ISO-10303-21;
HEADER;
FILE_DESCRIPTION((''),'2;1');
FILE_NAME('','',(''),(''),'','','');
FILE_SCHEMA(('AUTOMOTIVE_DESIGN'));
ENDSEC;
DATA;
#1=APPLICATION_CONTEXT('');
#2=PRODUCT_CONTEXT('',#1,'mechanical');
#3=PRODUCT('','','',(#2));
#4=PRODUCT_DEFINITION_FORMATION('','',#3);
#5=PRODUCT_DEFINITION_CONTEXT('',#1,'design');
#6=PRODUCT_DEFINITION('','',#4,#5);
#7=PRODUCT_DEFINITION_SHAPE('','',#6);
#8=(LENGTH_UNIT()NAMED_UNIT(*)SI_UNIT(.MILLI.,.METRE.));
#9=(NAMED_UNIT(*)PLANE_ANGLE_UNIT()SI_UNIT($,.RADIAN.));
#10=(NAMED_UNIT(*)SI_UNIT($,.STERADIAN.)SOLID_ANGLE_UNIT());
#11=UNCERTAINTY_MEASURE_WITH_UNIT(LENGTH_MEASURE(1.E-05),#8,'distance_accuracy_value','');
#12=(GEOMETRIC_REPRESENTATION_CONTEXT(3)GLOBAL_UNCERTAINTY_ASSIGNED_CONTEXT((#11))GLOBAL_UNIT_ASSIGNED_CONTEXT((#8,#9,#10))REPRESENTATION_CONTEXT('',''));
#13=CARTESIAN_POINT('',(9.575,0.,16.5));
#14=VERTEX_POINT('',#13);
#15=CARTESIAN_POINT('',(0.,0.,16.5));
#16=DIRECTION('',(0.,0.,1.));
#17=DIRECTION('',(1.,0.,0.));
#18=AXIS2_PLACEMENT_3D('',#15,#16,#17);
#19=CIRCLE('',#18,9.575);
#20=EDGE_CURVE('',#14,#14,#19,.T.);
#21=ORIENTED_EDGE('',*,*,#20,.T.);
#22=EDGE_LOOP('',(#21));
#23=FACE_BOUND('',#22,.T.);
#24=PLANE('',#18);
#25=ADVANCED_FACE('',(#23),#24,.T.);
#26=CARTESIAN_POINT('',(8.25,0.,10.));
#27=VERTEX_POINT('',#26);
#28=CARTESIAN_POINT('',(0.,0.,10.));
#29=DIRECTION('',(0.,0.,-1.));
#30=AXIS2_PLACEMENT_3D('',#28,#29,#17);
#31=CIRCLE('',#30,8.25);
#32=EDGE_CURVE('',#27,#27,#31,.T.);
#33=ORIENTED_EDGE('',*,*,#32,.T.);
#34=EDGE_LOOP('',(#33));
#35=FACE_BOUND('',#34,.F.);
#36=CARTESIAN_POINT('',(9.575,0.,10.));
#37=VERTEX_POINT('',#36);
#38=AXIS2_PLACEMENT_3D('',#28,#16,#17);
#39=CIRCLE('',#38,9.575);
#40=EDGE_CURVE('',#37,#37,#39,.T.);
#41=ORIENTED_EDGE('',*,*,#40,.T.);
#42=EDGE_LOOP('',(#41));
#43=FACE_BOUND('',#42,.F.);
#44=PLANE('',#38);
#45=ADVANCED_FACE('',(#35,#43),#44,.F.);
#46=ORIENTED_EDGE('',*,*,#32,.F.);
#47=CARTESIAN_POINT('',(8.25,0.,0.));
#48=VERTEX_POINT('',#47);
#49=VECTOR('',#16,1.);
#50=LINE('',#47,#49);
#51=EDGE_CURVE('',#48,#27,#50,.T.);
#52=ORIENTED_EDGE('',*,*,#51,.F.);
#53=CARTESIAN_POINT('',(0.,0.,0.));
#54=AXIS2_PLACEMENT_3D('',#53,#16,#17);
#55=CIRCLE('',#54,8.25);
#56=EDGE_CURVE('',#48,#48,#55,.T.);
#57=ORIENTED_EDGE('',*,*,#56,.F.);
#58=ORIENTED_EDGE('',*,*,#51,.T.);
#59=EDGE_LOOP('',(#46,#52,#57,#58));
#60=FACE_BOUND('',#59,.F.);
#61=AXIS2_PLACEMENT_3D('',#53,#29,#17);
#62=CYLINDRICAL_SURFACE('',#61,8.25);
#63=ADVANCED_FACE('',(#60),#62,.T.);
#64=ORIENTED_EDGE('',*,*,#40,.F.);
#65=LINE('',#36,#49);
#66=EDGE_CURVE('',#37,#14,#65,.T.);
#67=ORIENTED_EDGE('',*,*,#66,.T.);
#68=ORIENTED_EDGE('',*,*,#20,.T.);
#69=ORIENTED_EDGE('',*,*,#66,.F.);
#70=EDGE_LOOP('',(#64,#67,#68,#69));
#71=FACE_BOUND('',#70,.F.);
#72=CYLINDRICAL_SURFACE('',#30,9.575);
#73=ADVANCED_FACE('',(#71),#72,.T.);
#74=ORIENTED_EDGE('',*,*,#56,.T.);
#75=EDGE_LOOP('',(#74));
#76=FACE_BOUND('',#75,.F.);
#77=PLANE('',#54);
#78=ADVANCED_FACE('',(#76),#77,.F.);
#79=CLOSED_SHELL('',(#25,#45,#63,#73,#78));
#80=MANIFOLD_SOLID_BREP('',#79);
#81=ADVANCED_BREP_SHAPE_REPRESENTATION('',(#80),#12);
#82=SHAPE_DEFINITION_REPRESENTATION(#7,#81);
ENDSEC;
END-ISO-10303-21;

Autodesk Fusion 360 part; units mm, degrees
sketch "Sketch1" plane through (0, 0, 0) normal (0, 0, 1) x (1, 0, 0)
  circle A0 centre (0, 0) radius 6.15
  dimension "d1" = 12.3
ref_plane "WorkPlane1" through (0, 0, 10) normal (0, 0, 1) x (1, 0, 0)
sketch "Sketch2" plane through (0, 0, 10) normal (0, 0, 1) x (1, 0, 0)
  circle A0 centre (0, 0) radius 7.75
  dimension "d3" = 15.5
loft "Loft1" add profiles "Sketch2", "Sketch1" section 1 section 2
sketch "Sketch3" plane through (0, 0, 10) normal (0, 0, 1) x (1, 0, 0)
  circle A0 centre (0, 0) radius 7.75
  circle A1 centre (0, 0) radius 9.575
  dimension "d4" = 19.15
extrude "Extrude1" add sketch "Sketch3" along normal blind 6.5 contours A0 | A1
sketch "Sketch4" plane through (0, 0, 16.5) normal (0, 0, 1) x (1, 0, 0)
  circle A0 centre (0, 0) radius 9.575
  circle A1 centre (0, 0) radius 5.25 construction
  line L0 (0, 5.25) -> (0, -5.25) construction
  circle A2 centre (0, 5.25) radius 0.5
  circle A3 centre (-3.7123, 3.7123) radius 0.5
  circle A4 centre (-3.7123, -3.7123) radius 0.5
  circle A5 centre (0, -5.25) radius 0.5
  circle A6 centre (3.7123, -3.7123) radius 0.5
  circle A7 centre (3.7123, 3.7123) radius 0.5
  dimension "d7" = 10.5
  dimension "d8" = 1
  dimension "d10" = 360

Autodesk Fusion 360 part; units mm, degrees
sketch "Sketch1" plane through (0, 0, 0) normal (0, 0, 1) x (1, 0, 0)
  circle A0 centre (0, 0) radius 8.25
  dimension "d1" = 16.5
extrude "Extrude1" add sketch "Sketch1" along normal blind 11.5
